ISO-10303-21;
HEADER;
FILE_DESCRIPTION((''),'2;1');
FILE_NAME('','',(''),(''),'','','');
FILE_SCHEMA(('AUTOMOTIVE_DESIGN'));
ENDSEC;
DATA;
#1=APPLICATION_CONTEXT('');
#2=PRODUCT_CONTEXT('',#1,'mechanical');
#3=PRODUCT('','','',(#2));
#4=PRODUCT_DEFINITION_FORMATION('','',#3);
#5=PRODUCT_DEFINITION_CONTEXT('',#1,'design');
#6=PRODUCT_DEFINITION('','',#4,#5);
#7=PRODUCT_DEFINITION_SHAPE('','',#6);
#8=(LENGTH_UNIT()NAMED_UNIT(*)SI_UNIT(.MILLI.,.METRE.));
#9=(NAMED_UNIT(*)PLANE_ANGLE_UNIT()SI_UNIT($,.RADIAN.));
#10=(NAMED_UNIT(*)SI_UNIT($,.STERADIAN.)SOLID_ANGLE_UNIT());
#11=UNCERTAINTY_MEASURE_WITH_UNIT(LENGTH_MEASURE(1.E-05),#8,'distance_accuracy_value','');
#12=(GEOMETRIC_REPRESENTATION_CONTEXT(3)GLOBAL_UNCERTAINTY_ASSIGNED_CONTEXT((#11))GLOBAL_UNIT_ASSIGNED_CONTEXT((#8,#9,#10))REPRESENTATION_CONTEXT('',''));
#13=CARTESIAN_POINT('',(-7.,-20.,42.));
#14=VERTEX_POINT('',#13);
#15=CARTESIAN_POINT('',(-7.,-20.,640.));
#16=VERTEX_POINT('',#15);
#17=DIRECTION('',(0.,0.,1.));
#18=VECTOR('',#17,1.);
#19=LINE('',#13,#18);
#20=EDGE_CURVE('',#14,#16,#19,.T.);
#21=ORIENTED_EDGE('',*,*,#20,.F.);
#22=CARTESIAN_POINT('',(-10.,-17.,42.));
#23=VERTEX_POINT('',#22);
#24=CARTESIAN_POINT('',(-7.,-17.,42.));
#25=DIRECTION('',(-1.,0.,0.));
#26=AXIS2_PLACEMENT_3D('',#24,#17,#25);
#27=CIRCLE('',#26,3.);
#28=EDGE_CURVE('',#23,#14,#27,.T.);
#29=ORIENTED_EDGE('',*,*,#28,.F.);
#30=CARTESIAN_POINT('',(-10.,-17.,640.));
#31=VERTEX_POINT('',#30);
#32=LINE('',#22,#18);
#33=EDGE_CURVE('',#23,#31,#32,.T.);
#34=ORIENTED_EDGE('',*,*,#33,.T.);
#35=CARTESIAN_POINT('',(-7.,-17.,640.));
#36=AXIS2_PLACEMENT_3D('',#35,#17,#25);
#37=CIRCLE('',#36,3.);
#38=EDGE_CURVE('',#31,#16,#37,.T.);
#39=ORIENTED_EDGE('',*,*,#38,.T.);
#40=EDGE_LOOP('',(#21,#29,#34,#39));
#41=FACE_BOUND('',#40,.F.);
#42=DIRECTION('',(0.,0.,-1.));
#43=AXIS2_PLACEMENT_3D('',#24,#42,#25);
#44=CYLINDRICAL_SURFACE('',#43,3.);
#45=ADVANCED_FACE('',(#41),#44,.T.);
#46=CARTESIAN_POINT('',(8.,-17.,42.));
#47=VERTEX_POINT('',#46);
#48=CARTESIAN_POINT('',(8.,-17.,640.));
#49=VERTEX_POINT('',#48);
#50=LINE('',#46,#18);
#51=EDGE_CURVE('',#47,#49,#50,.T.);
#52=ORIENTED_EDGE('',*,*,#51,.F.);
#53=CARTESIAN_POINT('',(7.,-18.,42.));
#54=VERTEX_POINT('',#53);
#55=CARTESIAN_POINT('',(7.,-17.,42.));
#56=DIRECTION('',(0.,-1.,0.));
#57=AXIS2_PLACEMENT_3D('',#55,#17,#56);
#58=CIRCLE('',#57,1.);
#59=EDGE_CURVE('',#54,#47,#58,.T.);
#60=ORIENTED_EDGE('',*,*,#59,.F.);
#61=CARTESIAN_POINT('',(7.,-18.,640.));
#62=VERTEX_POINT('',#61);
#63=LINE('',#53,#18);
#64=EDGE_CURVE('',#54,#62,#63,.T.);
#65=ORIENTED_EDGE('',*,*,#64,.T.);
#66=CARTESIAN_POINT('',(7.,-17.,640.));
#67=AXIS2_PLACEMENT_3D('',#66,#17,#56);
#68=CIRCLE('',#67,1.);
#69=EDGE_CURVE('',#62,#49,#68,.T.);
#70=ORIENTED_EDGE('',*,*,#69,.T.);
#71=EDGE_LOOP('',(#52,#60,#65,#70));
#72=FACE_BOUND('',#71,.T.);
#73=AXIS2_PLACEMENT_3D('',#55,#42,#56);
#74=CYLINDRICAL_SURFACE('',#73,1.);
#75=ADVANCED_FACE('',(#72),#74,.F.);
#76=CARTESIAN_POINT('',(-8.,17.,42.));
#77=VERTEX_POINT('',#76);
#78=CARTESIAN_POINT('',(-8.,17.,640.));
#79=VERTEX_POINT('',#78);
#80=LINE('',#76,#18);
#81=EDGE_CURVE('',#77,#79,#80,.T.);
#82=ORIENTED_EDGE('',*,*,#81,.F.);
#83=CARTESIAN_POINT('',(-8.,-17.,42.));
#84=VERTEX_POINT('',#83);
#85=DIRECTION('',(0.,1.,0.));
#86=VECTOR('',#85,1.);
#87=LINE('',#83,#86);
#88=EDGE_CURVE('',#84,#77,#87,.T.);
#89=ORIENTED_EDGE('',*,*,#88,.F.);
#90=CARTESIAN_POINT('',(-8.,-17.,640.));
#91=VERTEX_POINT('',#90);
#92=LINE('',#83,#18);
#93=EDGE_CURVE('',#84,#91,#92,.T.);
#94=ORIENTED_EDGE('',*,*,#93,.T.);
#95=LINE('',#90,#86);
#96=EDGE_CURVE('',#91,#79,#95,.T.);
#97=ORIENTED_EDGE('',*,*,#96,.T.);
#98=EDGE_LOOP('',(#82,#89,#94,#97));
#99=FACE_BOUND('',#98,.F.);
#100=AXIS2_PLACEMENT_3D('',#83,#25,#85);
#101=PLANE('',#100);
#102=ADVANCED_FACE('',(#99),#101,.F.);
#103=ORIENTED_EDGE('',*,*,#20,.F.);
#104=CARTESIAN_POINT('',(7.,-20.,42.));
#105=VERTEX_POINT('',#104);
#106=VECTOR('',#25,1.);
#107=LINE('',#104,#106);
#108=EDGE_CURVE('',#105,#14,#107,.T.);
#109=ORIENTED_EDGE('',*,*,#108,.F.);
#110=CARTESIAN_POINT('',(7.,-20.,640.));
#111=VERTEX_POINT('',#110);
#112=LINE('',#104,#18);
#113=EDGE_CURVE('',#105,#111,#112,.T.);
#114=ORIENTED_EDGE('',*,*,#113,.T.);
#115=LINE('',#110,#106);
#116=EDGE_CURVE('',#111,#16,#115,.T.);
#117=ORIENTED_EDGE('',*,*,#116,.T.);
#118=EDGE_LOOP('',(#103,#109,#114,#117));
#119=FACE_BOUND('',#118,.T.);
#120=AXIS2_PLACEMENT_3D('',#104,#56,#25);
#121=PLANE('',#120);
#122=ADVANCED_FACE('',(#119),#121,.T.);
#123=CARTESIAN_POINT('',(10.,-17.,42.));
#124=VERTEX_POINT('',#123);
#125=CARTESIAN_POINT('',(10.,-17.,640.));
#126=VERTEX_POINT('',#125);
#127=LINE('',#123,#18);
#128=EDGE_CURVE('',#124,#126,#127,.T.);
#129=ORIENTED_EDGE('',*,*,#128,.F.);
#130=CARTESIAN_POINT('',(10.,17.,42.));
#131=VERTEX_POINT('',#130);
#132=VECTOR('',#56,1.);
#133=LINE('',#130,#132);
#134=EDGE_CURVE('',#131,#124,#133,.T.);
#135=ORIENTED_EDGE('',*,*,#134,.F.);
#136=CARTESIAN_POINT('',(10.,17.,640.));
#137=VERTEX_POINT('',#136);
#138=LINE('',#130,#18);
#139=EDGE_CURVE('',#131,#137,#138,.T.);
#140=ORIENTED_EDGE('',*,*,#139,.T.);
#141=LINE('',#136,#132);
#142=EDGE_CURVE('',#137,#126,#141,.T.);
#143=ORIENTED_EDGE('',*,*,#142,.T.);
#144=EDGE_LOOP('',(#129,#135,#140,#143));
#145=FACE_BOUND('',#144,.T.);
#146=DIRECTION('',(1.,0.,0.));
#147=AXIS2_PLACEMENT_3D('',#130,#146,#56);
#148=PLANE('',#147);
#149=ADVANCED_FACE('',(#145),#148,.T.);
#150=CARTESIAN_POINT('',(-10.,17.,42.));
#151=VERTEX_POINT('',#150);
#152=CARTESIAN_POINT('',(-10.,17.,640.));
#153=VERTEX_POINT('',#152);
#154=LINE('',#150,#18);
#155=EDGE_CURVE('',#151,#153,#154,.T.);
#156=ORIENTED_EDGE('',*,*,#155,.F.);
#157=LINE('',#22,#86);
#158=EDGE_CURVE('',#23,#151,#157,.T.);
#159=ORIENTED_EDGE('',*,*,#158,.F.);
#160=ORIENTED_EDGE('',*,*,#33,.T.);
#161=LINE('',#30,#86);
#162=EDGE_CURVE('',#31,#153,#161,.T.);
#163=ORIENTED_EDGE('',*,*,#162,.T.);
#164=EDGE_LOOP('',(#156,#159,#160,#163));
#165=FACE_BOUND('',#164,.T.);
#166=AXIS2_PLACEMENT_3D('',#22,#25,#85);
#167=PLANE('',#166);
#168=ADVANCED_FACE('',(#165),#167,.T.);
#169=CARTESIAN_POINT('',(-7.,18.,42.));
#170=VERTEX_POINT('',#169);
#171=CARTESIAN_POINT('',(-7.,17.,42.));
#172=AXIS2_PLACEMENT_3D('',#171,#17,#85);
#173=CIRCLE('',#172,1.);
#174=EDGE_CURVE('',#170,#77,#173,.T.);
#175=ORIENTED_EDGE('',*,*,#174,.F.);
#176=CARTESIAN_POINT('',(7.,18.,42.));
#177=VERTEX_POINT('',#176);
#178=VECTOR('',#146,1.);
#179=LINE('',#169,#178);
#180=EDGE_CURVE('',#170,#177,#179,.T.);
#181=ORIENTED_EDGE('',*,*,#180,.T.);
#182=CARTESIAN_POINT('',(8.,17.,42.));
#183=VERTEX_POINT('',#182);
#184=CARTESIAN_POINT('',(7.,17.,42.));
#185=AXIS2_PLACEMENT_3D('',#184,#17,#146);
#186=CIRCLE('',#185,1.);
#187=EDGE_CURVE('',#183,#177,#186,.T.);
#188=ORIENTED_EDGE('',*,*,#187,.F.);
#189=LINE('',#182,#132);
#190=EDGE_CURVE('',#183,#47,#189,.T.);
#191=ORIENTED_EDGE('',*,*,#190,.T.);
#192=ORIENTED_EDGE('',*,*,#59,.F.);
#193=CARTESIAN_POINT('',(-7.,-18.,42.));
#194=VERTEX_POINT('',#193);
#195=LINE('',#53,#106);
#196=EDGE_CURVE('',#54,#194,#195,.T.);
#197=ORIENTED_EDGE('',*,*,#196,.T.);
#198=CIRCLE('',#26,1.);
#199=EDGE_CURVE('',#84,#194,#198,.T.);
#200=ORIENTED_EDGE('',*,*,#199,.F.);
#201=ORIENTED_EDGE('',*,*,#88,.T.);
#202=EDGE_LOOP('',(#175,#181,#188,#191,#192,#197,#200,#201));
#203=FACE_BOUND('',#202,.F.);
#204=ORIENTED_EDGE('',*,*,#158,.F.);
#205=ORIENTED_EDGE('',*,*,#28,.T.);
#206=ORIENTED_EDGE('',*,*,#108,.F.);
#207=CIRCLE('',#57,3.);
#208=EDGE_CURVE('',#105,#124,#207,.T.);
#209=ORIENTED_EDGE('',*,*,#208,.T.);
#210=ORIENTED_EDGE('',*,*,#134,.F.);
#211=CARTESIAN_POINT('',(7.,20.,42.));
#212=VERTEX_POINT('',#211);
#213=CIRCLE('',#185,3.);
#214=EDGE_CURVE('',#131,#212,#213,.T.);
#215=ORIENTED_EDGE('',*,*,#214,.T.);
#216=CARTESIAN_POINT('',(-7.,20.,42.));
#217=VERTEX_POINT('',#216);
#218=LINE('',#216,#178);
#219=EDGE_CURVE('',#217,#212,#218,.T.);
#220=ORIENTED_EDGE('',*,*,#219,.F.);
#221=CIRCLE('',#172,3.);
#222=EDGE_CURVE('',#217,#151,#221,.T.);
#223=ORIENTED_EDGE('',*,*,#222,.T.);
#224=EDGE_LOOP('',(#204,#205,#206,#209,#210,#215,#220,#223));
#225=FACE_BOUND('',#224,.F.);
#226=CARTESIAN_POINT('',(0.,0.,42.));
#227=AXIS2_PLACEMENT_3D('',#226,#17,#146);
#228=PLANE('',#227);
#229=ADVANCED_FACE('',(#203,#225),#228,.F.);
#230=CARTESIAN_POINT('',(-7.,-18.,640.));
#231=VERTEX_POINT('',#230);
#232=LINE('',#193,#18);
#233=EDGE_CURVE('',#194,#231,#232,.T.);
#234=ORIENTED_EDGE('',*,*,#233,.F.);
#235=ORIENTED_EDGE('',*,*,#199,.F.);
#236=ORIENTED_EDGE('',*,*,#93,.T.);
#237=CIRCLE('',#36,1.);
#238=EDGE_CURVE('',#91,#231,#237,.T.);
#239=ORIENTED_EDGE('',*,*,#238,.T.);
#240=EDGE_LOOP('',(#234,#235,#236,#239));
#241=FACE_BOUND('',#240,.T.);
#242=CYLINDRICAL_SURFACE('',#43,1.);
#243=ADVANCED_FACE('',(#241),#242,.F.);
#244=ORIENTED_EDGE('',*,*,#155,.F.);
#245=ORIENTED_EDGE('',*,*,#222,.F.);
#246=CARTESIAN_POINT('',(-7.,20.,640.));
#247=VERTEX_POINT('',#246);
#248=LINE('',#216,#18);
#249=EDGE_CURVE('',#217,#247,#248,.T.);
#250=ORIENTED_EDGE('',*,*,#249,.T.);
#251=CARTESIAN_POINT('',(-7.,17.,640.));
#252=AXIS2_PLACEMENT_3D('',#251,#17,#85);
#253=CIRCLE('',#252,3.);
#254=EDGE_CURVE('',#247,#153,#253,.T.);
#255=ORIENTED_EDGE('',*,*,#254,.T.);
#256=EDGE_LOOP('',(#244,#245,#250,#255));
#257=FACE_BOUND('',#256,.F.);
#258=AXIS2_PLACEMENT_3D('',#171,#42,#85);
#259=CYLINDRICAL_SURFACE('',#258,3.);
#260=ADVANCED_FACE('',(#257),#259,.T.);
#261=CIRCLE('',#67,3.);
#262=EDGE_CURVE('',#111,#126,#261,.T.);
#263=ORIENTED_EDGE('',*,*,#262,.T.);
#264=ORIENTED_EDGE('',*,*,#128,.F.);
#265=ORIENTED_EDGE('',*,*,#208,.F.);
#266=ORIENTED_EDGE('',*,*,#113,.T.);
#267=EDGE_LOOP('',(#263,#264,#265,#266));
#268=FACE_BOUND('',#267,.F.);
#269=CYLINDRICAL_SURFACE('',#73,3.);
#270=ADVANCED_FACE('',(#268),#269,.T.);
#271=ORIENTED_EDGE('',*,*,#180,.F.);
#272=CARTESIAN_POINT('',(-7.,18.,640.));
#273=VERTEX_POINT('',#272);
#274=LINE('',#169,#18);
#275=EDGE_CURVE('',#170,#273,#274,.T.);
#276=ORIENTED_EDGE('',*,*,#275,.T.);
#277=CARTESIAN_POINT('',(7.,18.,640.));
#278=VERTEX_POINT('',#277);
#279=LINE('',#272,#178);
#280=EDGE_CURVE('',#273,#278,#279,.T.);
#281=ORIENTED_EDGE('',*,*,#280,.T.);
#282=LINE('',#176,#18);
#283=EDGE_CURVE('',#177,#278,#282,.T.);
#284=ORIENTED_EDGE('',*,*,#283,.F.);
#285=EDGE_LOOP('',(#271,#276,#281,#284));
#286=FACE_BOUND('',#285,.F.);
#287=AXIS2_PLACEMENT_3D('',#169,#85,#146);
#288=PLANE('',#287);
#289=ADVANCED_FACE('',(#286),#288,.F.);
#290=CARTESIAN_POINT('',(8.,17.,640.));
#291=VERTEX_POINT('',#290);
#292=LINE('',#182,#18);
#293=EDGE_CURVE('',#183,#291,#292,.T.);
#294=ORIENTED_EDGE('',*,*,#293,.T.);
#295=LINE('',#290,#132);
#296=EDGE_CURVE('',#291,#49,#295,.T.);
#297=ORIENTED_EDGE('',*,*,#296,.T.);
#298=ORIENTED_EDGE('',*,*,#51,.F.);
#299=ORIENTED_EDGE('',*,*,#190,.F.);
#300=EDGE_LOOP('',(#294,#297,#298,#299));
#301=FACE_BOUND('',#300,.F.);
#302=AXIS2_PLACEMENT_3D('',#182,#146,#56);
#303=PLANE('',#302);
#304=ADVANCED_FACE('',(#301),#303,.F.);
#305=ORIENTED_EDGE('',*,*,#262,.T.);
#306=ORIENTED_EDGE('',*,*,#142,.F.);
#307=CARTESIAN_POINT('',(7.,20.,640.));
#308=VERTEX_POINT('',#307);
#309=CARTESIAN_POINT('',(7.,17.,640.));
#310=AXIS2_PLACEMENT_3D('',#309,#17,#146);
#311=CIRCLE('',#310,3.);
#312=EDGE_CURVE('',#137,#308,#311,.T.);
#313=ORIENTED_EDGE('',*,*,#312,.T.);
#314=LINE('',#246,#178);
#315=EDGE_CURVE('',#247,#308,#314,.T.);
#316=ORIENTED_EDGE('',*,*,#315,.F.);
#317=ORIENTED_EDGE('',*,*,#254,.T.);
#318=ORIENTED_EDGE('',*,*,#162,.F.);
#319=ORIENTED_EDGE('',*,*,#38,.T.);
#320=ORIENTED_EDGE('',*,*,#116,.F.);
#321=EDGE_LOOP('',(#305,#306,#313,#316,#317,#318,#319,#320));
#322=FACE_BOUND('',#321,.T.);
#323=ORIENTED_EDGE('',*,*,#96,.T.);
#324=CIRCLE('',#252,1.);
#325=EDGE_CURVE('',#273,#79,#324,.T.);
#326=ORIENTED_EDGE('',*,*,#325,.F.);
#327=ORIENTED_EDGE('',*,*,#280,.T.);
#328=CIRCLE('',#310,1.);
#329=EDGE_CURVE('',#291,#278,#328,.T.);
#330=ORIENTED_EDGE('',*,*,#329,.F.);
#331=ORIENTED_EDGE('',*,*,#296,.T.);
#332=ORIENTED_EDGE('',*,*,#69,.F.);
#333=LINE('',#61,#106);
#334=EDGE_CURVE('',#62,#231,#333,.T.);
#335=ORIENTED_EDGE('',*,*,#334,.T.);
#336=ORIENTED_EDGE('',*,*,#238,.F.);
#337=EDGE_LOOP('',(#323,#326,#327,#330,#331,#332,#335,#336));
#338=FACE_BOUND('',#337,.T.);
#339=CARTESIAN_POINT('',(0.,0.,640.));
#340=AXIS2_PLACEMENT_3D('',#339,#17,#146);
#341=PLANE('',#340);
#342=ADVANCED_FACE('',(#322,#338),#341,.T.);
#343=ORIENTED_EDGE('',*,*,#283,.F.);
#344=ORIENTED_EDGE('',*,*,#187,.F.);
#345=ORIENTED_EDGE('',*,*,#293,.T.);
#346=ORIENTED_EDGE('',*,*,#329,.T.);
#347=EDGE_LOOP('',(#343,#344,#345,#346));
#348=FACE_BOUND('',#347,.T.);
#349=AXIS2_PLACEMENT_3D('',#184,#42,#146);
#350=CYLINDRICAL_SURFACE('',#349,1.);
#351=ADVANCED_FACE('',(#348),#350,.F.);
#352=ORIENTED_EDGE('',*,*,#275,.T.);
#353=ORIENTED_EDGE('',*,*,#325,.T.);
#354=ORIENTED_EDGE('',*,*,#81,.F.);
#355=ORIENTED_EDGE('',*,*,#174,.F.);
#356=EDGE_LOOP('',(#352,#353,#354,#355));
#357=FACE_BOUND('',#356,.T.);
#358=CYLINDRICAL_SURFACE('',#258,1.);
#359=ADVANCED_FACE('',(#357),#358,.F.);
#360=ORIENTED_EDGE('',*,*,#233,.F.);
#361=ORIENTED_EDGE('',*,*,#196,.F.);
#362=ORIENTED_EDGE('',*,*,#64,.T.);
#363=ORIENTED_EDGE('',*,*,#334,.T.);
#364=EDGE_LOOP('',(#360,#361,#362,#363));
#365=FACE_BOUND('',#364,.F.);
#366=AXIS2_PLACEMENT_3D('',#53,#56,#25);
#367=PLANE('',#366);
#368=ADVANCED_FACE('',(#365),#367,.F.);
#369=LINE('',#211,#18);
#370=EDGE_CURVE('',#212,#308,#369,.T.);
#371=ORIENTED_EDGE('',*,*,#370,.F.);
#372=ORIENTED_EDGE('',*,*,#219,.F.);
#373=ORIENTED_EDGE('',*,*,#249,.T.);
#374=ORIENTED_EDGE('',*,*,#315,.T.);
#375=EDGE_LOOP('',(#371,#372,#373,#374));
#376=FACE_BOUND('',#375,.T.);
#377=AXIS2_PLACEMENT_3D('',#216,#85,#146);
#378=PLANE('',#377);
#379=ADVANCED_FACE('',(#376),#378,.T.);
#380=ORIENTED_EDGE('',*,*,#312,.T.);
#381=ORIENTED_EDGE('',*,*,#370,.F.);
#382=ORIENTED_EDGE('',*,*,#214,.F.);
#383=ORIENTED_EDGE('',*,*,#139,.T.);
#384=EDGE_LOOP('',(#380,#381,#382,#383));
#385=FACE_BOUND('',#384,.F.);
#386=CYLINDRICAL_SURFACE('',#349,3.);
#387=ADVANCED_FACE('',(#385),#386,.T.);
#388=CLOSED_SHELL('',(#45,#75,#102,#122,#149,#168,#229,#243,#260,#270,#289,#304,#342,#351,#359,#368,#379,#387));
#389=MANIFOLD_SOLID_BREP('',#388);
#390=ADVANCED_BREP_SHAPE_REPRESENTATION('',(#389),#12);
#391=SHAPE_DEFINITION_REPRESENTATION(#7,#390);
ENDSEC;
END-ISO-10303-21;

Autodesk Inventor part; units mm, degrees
ref_plane "Start plane" through (0, 0, 42) normal (0, 0, 1) x (1, 0, 0)
ref_plane "End plane" through (0, 0, 640) normal (0, 0, 1) x (1, 0, 0)
sketch "Sketch" plane through (0, 0, 0) normal (0, 0, 1) x (1, 0, 0)
  line L0 (-10, -17) -> (-10, 17)
  line L1 (-7, 20) -> (7, 20)
  line L2 (10, 17) -> (10, -17)
  line L3 (7, -20) -> (-7, -20)
  arc A0 (-10, -17) -> (-7, -20) centre (-7, -17) ccw
  arc A1 (-7, 20) -> (-10, 17) centre (-7, 17) ccw
  arc A2 (10, 17) -> (7, 20) centre (7, 17) ccw
  arc A3 (7, -20) -> (10, -17) centre (7, -17) ccw
  arc A4 (-7, 18) -> (-8, 17) centre (-7, 17) ccw
  line L4 (-7, 18) -> (7, 18)
  arc A5 (8, 17) -> (7, 18) centre (7, 17) ccw
  line L5 (8, 17) -> (8, -17)
  arc A6 (7, -18) -> (8, -17) centre (7, -17) ccw
  line L6 (7, -18) -> (-7, -18)
  arc A7 (-8, -17) -> (-7, -18) centre (-7, -17) ccw
  line L7 (-8, -17) -> (-8, 17)
  line L8 (0, 28.8698) -> (0, -28.8698) construction
  line L9 (-14.8698, 0) -> (14.8698, 0) construction
  dimension "d7" = 3
  dimension "d10" = 40
  dimension "d11" = 20
  dimension "d12" = 2
  dimension "d15" = 20
  dimension "d16" = 10
extrude "Body" add sketch "Sketch" along normal up to surface (598 mm away) from surface at 42
sketch "Sketch3" plane through (0, 0, 0) normal (0, 0, 1) x (1, 0, 0)
  line L0 (0, 0) -> (10, 0)
ref_plane "Work Plane3" through (0, 0, 0) normal (0, -1, 0) x (1, 0, 0)
sketch "Sketch4" plane through (0, 0, 0) normal (0, -1, 0) x (1, 0, 0)
  line L0 (-2, 42) -> (12, 42)
  line L1 (-2, 640) -> (12, 640)
  dimension "d18" = 598
ref_plane "Work Plane5" through (17, -475, 42) normal (0, 0, -1) x (-1, 0, 0)
split "Split2" plane through (17, -475, 42) removes the side toward (0, 0, -1)
equation "\"d7\" = G_IR"
equation "\"d10\" = G_H"
equation "\"d11\" = G_W"
equation "\"d12\" = G_T"
equation "\"d15\" = 0.5 * d10"
equation "\"d16\" = 0.5 * d11"
equation "\"d3\" = G_L"
equation "\"G_W\" = 20"
equation "\"G_H\" = 40"
equation "\"G_T\" = 2"
equation "\"G_IR\" = 3"
equation "\"G_L\" = d18"
equation "\"G_OFFSET_START\" = -42"
equation "\"G_OFFSET_END\" = 0"
equation "\"d13\" = -G_OFFSET_START"
equation "\"d14\" = G_OFFSET_END + B_L"
equation "\"B_L\" = 640"
properties part number "UNI EN 10305-5 - 40 x 20 x 2  - 598" material "Steel, Mild"
